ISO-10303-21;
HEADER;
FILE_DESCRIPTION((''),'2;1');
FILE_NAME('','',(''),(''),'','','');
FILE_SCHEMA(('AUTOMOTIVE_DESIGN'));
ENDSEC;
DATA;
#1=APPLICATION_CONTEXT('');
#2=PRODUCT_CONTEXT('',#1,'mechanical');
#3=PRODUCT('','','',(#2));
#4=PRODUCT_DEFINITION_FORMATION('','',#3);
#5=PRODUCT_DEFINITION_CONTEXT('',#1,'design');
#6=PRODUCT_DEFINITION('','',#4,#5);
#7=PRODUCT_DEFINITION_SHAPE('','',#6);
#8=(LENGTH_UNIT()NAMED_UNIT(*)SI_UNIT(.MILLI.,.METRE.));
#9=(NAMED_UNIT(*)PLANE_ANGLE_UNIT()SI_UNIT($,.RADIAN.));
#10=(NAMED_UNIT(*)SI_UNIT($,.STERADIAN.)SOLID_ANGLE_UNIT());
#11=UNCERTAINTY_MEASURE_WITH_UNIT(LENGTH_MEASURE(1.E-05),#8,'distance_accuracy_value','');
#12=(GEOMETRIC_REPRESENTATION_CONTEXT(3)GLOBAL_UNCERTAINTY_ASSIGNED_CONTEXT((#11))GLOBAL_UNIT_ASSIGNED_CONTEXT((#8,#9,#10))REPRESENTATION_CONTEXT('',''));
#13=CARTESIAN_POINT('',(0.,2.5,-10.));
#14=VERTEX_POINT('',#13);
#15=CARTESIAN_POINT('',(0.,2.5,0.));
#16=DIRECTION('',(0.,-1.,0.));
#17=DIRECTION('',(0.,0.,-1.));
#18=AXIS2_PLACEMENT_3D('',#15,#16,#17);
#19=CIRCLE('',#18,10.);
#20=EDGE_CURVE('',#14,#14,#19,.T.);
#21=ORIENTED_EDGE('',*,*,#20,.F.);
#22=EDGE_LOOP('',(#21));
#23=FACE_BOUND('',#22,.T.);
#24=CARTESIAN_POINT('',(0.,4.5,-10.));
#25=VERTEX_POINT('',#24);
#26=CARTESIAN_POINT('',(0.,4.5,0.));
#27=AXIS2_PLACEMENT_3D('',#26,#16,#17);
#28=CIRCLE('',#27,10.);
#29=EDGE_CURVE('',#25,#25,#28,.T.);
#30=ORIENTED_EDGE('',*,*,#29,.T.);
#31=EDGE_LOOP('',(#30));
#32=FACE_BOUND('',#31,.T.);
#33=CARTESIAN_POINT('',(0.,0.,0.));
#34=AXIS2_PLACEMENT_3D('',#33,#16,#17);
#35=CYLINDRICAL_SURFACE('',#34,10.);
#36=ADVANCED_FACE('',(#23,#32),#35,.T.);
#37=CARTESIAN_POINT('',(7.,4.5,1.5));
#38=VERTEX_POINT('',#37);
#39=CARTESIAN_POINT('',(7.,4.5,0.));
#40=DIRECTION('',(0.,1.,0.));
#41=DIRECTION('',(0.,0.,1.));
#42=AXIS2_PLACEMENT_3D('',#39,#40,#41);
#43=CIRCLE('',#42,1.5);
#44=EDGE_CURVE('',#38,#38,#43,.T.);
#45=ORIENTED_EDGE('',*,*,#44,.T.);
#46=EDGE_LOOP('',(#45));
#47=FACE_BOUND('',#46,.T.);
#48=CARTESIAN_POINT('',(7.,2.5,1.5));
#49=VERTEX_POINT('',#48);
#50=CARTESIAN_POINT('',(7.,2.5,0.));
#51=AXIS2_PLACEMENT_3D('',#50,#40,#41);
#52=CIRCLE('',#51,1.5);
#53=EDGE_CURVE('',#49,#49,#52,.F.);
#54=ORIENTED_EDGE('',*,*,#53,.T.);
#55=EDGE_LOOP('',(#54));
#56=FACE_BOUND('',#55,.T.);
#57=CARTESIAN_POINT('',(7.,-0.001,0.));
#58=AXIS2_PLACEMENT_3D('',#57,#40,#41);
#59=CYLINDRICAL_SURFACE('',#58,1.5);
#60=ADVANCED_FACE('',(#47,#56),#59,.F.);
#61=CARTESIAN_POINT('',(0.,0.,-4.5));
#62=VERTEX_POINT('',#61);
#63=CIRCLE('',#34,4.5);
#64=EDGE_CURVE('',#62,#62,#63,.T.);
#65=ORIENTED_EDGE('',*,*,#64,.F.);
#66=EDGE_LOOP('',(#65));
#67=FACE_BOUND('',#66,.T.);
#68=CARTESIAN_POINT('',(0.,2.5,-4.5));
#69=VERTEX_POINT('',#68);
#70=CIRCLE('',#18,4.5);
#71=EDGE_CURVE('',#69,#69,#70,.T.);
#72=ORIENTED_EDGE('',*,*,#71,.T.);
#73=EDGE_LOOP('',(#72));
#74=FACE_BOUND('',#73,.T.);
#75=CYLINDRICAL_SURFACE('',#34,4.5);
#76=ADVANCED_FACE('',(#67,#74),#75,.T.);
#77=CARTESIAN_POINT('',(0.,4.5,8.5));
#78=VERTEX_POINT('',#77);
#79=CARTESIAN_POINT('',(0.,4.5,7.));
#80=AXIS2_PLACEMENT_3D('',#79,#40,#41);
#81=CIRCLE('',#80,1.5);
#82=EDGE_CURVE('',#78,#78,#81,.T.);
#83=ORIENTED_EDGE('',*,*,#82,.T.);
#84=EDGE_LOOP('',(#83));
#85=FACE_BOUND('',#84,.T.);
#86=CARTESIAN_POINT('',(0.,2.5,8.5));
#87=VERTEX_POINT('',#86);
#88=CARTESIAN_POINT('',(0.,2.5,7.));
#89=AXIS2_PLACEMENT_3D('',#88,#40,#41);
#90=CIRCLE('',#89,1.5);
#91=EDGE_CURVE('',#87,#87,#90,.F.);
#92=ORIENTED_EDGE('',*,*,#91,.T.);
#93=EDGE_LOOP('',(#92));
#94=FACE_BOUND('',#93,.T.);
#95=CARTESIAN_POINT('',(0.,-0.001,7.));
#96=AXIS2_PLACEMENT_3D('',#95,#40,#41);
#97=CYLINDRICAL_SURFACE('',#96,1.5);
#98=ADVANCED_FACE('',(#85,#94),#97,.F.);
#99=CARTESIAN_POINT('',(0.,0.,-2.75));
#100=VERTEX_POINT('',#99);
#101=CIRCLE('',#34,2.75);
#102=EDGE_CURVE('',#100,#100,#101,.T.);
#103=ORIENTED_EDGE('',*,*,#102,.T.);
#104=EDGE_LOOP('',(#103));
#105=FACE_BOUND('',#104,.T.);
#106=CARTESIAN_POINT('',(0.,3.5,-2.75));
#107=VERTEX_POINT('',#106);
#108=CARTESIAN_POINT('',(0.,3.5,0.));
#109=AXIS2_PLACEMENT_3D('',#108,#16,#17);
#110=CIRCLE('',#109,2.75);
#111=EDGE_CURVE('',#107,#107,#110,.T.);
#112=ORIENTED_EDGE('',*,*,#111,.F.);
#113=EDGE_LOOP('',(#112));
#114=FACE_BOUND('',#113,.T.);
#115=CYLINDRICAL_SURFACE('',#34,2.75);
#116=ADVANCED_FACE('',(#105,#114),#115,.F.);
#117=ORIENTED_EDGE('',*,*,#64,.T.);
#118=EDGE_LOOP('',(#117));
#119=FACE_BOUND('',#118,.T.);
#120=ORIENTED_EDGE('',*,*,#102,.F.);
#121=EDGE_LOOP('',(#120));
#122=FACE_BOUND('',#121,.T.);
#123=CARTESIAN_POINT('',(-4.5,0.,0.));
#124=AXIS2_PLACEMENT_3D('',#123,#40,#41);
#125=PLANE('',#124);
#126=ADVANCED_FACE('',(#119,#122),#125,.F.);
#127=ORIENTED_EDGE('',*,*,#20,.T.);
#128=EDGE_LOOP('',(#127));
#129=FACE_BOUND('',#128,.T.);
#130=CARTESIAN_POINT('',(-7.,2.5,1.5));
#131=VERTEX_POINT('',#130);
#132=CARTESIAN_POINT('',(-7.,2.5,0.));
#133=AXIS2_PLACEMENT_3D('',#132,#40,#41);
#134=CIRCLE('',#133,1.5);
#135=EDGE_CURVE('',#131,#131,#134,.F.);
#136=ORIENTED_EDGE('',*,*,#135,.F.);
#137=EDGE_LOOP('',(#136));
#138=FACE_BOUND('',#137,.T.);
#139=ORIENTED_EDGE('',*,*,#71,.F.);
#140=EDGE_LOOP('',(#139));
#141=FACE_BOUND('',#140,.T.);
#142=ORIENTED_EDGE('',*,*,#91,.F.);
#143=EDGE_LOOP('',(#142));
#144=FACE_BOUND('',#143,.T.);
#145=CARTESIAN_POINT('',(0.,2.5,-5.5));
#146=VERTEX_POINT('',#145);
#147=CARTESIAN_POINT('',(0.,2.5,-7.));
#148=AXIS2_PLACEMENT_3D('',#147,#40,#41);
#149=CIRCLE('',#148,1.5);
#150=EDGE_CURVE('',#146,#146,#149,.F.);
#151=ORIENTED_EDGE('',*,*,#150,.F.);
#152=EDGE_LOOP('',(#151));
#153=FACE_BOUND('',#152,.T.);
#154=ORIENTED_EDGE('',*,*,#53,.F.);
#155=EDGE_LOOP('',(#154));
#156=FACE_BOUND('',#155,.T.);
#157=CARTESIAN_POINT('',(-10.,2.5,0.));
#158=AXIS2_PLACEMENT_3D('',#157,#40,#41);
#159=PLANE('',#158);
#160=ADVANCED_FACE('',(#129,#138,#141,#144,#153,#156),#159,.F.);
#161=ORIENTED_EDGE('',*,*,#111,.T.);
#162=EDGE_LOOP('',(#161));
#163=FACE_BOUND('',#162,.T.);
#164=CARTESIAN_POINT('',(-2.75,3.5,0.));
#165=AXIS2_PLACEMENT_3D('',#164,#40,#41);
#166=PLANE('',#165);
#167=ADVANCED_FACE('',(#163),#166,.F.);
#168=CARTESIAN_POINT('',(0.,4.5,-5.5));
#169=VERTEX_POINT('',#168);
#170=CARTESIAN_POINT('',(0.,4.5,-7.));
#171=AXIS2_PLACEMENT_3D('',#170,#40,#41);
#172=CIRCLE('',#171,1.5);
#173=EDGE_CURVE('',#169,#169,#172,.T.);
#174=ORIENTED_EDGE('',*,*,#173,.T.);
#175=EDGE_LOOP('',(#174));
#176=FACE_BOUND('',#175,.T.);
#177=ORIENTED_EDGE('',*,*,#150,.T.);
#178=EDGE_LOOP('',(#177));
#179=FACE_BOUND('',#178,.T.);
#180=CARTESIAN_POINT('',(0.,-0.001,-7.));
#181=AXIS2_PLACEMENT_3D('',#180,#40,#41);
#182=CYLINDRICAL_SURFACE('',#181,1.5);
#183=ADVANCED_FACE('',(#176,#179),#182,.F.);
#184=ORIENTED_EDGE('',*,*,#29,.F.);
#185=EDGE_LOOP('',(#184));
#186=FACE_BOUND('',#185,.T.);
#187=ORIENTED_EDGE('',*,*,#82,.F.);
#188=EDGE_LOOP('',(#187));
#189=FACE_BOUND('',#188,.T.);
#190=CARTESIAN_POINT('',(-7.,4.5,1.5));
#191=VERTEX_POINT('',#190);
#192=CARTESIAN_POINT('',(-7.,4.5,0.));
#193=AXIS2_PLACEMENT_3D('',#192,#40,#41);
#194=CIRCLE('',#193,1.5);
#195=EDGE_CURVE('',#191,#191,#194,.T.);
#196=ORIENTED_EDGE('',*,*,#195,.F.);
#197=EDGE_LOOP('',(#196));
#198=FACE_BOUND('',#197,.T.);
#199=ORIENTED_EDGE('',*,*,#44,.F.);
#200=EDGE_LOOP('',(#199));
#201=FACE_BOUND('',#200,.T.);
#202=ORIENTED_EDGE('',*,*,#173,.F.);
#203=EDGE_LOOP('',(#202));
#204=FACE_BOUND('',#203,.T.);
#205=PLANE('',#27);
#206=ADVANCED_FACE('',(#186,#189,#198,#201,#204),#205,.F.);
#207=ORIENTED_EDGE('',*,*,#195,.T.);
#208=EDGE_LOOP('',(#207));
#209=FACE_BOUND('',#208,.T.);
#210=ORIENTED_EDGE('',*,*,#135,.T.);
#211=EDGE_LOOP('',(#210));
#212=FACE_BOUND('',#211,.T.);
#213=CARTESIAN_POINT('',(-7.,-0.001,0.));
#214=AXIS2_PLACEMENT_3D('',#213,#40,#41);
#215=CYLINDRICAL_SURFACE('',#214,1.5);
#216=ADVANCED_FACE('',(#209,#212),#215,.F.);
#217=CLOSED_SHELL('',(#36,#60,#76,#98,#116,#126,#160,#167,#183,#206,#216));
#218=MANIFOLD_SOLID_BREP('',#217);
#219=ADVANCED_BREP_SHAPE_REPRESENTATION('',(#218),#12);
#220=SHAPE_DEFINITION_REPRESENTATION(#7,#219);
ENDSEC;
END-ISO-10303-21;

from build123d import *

# Parameters (mm, degrees)
CUT_EXTRUDE_1_REACH = 16.841
SKETCH_2_R          = 1.5


with BuildPart() as part:
    # 草图1 → 旋转1 (revolve)
    with BuildSketch(Plane.XY, mode=Mode.PRIVATE) as revolve_1_sk:
        Polygon((0, 4.5), (-10, 4.5), (-10, 2.5), (-4.5, 2.5), (-4.5, 0), (-2.75, 0), (-2.75, 3.5), (0, 3.5), align=None)
    revolve(revolve_1_sk.sketch.rotate(Axis((0, 0, 0), (0, 1, 0)), 270), axis=Axis((0, 0, 0), (0, 1, 0)))

    # 草图2 → 切除-拉伸1 (cut, up to next)
    with BuildSketch(Plane(origin=(0, 4.5, 0), x_dir=(1, 0, 0), z_dir=(0, 1, 0)), mode=Mode.PRIVATE) as cut_extrude_1_sk1:
        with Locations(Location((0, 7, 0), (0, 0, 270))):
            Circle(SKETCH_2_R)
    cut_extrude_1_tool1 = extrude(cut_extrude_1_sk1.sketch, amount=-CUT_EXTRUDE_1_REACH, mode=Mode.PRIVATE) & part.part
    # 草图2 → 切除-拉伸1 (cut, up to next)
    with BuildSketch(Plane(origin=(0, 4.5, 0), x_dir=(1, 0, 0), z_dir=(0, 1, 0)), mode=Mode.PRIVATE) as cut_extrude_1_sk2:
        with Locations(Location((7, 0, 0), (0, 0, 270))):
            Circle(SKETCH_2_R)
    cut_extrude_1_tool2 = extrude(cut_extrude_1_sk2.sketch, amount=-CUT_EXTRUDE_1_REACH, mode=Mode.PRIVATE) & part.part
    # 草图2 → 切除-拉伸1 (cut, up to next)
    with BuildSketch(Plane(origin=(0, 4.5, 0), x_dir=(1, 0, 0), z_dir=(0, 1, 0)), mode=Mode.PRIVATE) as cut_extrude_1_sk3:
        with Locations(Location((0, -7, 0), (0, 0, 270))):
            Circle(SKETCH_2_R)
    cut_extrude_1_tool3 = extrude(cut_extrude_1_sk3.sketch, amount=-CUT_EXTRUDE_1_REACH, mode=Mode.PRIVATE) & part.part
    # 草图2 → 切除-拉伸1 (cut, up to next)
    with BuildSketch(Plane(origin=(0, 4.5, 0), x_dir=(1, 0, 0), z_dir=(0, 1, 0)), mode=Mode.PRIVATE) as cut_extrude_1_sk4:
        with Locations(Location((-7, 0, 0), (0, 0, 270))):
            Circle(SKETCH_2_R)
    cut_extrude_1_tool4 = extrude(cut_extrude_1_sk4.sketch, amount=-CUT_EXTRUDE_1_REACH, mode=Mode.PRIVATE) & part.part
    add(cut_extrude_1_tool1.solids().sort_by_distance((0, 4.5, -7))[0], mode=Mode.SUBTRACT)
    add(cut_extrude_1_tool2.solids().sort_by_distance((7, 4.5, 0))[0], mode=Mode.SUBTRACT)
    add(cut_extrude_1_tool3.solids().sort_by_distance((0, 4.5, 7))[0], mode=Mode.SUBTRACT)
    add(cut_extrude_1_tool4.solids().sort_by_distance((-7, 4.5, 0))[0], mode=Mode.SUBTRACT)


solid = part.part
